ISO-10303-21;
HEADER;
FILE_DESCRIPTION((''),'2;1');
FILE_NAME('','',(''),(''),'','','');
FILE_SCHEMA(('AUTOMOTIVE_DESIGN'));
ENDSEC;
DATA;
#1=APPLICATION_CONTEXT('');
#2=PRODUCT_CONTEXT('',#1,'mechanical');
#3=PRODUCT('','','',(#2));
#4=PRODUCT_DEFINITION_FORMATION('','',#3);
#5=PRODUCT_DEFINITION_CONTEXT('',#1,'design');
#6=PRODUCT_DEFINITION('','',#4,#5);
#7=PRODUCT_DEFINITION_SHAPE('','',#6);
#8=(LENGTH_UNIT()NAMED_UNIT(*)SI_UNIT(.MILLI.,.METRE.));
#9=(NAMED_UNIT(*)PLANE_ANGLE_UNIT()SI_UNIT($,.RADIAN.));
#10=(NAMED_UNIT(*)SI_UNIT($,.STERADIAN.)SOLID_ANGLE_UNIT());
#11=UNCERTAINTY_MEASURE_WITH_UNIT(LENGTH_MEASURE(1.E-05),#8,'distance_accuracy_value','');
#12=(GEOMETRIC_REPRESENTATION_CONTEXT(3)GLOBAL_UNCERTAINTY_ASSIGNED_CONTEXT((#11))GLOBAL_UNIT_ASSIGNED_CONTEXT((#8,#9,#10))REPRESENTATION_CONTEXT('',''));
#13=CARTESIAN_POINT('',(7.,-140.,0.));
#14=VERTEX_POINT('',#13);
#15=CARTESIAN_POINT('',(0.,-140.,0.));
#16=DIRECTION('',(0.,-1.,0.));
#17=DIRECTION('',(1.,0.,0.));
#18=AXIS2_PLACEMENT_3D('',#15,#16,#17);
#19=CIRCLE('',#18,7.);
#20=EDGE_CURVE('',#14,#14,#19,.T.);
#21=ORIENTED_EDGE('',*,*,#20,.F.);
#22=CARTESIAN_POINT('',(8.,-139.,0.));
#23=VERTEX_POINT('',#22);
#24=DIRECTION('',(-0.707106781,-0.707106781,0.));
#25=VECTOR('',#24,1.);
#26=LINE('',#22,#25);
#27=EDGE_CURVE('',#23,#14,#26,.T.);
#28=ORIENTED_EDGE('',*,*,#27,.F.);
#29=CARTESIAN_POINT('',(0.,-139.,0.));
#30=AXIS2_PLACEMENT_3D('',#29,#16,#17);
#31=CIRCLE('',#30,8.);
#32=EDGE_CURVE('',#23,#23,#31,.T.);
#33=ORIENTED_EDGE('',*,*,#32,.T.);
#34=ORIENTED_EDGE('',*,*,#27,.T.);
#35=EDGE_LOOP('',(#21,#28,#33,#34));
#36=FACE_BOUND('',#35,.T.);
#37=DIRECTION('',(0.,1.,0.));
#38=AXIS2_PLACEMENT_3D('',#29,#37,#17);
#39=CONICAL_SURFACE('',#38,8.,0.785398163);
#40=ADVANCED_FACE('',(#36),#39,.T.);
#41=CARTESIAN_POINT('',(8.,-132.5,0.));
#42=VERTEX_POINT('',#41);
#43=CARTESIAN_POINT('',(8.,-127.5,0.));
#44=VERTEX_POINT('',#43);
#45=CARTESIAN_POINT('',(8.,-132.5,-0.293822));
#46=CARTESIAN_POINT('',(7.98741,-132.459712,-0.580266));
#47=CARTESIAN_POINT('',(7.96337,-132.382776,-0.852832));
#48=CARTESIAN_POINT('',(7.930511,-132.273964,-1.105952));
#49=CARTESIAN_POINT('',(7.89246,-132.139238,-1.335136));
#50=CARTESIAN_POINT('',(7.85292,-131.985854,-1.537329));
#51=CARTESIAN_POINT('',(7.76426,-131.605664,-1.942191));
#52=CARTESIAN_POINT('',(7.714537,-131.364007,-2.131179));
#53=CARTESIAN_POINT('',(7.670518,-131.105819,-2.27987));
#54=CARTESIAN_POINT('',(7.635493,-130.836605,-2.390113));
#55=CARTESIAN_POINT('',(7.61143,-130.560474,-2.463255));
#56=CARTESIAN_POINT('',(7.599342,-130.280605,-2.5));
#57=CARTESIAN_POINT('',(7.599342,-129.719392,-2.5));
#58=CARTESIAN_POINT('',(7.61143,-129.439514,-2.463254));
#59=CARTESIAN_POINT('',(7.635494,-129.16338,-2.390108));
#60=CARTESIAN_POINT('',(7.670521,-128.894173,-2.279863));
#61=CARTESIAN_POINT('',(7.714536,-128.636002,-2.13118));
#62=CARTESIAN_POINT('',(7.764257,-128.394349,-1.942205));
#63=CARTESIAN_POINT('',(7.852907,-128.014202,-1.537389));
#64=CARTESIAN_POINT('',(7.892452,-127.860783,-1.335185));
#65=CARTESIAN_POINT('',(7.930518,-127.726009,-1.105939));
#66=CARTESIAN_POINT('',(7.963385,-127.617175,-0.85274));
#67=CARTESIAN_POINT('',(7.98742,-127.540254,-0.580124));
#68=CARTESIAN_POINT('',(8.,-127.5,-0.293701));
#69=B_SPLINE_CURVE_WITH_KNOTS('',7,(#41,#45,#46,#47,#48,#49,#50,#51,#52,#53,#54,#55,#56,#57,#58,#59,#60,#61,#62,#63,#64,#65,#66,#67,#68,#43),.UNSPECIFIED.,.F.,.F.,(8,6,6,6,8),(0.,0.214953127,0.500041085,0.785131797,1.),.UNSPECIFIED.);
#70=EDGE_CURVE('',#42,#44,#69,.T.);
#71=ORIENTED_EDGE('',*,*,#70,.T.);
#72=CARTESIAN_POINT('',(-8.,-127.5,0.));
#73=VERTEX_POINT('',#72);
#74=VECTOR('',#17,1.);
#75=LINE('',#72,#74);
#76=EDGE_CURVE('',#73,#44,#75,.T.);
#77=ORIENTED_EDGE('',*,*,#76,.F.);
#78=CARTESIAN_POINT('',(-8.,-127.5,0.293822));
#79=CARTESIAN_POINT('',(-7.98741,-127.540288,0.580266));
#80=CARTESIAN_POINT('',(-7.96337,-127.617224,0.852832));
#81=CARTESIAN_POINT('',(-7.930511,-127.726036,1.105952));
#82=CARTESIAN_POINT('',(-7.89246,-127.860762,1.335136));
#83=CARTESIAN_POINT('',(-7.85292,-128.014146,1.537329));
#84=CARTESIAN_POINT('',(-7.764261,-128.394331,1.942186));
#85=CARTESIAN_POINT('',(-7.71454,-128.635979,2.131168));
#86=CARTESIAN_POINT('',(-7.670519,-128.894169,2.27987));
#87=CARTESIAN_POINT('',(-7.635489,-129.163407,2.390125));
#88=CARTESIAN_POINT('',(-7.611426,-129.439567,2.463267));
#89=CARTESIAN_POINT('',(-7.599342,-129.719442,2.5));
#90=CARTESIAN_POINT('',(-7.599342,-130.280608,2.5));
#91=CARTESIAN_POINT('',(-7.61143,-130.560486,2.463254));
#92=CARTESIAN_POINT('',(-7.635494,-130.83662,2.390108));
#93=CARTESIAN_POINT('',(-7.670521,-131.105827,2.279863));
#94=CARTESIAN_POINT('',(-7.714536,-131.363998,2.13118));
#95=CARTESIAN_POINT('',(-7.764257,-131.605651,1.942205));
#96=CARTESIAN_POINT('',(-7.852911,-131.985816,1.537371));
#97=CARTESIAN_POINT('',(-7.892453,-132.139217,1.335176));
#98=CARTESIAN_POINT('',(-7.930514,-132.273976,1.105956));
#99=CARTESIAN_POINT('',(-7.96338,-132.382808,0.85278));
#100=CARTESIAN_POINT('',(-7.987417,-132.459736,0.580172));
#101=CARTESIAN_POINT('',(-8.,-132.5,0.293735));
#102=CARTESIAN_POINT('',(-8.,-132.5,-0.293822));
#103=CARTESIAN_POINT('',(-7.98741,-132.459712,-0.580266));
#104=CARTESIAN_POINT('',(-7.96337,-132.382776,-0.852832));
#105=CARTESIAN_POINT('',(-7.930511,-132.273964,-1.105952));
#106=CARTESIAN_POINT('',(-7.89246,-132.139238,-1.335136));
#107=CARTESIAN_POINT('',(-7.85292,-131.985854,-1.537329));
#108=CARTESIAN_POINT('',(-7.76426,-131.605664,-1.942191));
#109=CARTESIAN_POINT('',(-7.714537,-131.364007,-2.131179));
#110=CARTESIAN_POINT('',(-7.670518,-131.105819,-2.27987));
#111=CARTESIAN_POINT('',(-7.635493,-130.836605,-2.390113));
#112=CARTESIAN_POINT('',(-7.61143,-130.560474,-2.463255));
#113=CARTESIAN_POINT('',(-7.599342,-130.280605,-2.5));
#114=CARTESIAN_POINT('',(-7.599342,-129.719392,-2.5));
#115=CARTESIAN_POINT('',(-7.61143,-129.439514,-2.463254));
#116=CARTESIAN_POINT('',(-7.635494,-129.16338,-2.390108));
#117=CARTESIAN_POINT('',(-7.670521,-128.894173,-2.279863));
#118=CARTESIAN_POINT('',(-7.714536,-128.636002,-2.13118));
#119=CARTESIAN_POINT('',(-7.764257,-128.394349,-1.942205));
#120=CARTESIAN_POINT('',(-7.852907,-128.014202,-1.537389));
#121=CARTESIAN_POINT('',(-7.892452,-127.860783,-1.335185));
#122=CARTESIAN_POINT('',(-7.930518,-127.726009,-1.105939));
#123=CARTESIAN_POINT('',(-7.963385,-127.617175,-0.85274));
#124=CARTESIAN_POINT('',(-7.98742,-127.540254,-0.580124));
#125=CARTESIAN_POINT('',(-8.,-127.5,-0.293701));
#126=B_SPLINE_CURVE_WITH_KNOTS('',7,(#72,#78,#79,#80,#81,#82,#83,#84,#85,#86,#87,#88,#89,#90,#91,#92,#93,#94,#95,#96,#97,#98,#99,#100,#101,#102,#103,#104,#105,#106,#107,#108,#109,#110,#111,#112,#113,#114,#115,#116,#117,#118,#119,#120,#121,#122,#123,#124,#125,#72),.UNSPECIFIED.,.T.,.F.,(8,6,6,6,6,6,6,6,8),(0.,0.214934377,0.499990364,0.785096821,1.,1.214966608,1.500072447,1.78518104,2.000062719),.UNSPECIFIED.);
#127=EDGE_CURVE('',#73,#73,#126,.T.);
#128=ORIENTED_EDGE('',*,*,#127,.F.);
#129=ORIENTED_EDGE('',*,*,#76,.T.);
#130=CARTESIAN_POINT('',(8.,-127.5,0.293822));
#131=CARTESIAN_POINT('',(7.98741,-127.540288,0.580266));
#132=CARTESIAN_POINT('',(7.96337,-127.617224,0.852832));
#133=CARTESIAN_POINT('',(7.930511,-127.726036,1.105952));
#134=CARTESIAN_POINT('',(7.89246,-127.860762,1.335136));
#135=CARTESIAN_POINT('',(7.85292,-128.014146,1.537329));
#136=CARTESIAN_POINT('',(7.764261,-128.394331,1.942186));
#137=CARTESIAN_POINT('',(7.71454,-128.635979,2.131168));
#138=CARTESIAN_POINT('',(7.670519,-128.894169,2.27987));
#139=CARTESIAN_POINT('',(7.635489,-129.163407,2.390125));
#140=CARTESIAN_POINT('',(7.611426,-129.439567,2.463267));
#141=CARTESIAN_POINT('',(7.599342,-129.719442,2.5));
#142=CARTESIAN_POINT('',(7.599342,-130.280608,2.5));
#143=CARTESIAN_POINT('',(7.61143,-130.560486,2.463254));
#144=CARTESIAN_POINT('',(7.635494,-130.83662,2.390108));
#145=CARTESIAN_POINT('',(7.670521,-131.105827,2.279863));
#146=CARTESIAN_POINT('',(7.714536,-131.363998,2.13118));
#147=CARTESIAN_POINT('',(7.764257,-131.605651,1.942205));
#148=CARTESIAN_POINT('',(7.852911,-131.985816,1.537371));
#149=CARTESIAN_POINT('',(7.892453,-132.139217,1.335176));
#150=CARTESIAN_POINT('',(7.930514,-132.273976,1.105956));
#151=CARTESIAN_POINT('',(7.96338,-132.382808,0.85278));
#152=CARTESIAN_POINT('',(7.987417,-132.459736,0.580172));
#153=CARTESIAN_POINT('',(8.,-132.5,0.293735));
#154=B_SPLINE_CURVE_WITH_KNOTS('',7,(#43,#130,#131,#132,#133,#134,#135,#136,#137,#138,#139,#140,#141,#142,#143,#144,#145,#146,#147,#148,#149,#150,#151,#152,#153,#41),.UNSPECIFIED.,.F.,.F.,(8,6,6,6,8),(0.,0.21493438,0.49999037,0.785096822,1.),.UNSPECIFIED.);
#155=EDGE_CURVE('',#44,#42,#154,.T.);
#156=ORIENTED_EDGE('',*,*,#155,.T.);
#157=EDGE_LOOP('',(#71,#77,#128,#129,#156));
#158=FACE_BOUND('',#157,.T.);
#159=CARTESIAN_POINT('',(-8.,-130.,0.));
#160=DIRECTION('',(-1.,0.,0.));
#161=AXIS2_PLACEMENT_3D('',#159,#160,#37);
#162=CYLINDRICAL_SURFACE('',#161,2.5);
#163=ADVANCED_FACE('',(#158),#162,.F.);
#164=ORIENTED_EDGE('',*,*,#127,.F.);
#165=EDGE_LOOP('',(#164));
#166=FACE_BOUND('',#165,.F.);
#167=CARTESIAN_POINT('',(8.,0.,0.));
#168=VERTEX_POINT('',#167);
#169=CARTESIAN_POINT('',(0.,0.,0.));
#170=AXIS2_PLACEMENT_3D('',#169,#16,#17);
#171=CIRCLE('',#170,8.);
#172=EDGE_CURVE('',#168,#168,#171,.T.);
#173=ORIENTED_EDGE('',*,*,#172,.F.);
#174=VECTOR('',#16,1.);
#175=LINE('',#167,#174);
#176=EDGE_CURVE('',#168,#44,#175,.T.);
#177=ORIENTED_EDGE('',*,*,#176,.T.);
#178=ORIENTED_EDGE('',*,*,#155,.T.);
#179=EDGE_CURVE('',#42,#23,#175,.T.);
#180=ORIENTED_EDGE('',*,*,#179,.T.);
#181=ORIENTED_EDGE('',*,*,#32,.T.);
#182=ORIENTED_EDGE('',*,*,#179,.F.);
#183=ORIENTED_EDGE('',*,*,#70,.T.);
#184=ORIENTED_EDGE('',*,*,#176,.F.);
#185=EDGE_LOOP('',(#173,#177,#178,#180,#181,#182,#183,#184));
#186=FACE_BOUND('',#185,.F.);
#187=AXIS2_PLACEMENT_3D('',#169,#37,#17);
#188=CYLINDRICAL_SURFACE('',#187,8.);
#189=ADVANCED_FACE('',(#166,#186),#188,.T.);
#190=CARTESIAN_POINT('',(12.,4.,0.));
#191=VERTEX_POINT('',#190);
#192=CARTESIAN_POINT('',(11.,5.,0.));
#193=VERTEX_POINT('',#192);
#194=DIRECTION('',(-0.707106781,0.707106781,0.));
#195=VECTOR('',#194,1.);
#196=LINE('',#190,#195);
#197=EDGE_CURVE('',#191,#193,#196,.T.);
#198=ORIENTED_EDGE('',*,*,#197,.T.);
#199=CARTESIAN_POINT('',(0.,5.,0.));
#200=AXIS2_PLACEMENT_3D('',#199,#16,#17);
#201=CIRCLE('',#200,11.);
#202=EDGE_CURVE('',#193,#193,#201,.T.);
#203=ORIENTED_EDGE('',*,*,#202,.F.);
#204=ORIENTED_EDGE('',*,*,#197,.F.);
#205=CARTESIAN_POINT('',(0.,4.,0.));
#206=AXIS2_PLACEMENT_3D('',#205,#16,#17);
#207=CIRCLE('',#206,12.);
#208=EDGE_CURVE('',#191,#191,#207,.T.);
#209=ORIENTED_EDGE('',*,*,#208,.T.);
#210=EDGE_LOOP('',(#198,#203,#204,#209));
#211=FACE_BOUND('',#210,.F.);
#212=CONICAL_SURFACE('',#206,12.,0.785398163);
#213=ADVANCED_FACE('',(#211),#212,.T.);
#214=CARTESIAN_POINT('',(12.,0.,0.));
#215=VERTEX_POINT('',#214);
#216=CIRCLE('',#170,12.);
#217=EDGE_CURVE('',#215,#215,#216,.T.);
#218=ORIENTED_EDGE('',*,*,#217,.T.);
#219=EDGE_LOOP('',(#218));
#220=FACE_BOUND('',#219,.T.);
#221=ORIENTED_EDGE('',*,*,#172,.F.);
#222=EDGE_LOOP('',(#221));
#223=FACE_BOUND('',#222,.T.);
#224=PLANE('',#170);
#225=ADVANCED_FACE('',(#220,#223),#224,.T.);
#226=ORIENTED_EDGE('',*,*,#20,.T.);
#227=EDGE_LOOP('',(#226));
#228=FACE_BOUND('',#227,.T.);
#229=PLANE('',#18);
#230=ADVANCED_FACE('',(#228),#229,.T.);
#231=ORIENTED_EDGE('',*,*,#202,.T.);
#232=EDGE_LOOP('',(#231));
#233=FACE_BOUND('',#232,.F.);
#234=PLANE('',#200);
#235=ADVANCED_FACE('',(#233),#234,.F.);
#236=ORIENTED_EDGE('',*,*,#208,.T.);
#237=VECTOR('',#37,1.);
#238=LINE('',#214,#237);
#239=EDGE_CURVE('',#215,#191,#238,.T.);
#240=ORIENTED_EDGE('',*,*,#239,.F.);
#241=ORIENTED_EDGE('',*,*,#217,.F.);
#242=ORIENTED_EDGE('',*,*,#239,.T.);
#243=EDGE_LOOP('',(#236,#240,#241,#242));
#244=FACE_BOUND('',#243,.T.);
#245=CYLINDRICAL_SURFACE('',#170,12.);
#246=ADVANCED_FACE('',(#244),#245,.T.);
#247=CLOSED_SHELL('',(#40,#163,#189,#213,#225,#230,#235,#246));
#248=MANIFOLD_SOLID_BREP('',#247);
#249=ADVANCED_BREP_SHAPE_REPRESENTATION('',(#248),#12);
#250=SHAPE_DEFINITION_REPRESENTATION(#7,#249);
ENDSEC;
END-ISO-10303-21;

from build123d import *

# Parameters (mm, degrees)
F0_R     = 8
F1_DEPTH = 140
F0_R_2   = 12
F2_DEPTH = 5
F3_SIZE  = 1
F5_R     = 2.5
F6_DEPTH = 20.001


with BuildPart() as f1:
    # F0 (on Front) → F1 (new body)
    with BuildSketch(Plane.XZ):
        Circle(F0_R)
    extrude(amount=F1_DEPTH)

    # F0 (on Front) → F2 (join)
    with BuildSketch(Plane.XZ):
        Circle(F0_R_2)
        Circle(F0_R, mode=Mode.SUBTRACT)
        Circle(F0_R)
    extrude(amount=-F2_DEPTH)

    # F3
    f3_edges = [f1.edges().sort_by_distance(p)[0] for p in [
        (-12, 5, 0),
        (-8, -140, 0),
    ]]
    chamfer(f3_edges, length=F3_SIZE)

    # F5 (on offset) → F6 (cut, through all)
    with BuildSketch(Plane.YZ.offset(-8)):
        with Locations((-130, 0)):
            Circle(F5_R)
    extrude(amount=F6_DEPTH, mode=Mode.SUBTRACT)


solid = f1.part
